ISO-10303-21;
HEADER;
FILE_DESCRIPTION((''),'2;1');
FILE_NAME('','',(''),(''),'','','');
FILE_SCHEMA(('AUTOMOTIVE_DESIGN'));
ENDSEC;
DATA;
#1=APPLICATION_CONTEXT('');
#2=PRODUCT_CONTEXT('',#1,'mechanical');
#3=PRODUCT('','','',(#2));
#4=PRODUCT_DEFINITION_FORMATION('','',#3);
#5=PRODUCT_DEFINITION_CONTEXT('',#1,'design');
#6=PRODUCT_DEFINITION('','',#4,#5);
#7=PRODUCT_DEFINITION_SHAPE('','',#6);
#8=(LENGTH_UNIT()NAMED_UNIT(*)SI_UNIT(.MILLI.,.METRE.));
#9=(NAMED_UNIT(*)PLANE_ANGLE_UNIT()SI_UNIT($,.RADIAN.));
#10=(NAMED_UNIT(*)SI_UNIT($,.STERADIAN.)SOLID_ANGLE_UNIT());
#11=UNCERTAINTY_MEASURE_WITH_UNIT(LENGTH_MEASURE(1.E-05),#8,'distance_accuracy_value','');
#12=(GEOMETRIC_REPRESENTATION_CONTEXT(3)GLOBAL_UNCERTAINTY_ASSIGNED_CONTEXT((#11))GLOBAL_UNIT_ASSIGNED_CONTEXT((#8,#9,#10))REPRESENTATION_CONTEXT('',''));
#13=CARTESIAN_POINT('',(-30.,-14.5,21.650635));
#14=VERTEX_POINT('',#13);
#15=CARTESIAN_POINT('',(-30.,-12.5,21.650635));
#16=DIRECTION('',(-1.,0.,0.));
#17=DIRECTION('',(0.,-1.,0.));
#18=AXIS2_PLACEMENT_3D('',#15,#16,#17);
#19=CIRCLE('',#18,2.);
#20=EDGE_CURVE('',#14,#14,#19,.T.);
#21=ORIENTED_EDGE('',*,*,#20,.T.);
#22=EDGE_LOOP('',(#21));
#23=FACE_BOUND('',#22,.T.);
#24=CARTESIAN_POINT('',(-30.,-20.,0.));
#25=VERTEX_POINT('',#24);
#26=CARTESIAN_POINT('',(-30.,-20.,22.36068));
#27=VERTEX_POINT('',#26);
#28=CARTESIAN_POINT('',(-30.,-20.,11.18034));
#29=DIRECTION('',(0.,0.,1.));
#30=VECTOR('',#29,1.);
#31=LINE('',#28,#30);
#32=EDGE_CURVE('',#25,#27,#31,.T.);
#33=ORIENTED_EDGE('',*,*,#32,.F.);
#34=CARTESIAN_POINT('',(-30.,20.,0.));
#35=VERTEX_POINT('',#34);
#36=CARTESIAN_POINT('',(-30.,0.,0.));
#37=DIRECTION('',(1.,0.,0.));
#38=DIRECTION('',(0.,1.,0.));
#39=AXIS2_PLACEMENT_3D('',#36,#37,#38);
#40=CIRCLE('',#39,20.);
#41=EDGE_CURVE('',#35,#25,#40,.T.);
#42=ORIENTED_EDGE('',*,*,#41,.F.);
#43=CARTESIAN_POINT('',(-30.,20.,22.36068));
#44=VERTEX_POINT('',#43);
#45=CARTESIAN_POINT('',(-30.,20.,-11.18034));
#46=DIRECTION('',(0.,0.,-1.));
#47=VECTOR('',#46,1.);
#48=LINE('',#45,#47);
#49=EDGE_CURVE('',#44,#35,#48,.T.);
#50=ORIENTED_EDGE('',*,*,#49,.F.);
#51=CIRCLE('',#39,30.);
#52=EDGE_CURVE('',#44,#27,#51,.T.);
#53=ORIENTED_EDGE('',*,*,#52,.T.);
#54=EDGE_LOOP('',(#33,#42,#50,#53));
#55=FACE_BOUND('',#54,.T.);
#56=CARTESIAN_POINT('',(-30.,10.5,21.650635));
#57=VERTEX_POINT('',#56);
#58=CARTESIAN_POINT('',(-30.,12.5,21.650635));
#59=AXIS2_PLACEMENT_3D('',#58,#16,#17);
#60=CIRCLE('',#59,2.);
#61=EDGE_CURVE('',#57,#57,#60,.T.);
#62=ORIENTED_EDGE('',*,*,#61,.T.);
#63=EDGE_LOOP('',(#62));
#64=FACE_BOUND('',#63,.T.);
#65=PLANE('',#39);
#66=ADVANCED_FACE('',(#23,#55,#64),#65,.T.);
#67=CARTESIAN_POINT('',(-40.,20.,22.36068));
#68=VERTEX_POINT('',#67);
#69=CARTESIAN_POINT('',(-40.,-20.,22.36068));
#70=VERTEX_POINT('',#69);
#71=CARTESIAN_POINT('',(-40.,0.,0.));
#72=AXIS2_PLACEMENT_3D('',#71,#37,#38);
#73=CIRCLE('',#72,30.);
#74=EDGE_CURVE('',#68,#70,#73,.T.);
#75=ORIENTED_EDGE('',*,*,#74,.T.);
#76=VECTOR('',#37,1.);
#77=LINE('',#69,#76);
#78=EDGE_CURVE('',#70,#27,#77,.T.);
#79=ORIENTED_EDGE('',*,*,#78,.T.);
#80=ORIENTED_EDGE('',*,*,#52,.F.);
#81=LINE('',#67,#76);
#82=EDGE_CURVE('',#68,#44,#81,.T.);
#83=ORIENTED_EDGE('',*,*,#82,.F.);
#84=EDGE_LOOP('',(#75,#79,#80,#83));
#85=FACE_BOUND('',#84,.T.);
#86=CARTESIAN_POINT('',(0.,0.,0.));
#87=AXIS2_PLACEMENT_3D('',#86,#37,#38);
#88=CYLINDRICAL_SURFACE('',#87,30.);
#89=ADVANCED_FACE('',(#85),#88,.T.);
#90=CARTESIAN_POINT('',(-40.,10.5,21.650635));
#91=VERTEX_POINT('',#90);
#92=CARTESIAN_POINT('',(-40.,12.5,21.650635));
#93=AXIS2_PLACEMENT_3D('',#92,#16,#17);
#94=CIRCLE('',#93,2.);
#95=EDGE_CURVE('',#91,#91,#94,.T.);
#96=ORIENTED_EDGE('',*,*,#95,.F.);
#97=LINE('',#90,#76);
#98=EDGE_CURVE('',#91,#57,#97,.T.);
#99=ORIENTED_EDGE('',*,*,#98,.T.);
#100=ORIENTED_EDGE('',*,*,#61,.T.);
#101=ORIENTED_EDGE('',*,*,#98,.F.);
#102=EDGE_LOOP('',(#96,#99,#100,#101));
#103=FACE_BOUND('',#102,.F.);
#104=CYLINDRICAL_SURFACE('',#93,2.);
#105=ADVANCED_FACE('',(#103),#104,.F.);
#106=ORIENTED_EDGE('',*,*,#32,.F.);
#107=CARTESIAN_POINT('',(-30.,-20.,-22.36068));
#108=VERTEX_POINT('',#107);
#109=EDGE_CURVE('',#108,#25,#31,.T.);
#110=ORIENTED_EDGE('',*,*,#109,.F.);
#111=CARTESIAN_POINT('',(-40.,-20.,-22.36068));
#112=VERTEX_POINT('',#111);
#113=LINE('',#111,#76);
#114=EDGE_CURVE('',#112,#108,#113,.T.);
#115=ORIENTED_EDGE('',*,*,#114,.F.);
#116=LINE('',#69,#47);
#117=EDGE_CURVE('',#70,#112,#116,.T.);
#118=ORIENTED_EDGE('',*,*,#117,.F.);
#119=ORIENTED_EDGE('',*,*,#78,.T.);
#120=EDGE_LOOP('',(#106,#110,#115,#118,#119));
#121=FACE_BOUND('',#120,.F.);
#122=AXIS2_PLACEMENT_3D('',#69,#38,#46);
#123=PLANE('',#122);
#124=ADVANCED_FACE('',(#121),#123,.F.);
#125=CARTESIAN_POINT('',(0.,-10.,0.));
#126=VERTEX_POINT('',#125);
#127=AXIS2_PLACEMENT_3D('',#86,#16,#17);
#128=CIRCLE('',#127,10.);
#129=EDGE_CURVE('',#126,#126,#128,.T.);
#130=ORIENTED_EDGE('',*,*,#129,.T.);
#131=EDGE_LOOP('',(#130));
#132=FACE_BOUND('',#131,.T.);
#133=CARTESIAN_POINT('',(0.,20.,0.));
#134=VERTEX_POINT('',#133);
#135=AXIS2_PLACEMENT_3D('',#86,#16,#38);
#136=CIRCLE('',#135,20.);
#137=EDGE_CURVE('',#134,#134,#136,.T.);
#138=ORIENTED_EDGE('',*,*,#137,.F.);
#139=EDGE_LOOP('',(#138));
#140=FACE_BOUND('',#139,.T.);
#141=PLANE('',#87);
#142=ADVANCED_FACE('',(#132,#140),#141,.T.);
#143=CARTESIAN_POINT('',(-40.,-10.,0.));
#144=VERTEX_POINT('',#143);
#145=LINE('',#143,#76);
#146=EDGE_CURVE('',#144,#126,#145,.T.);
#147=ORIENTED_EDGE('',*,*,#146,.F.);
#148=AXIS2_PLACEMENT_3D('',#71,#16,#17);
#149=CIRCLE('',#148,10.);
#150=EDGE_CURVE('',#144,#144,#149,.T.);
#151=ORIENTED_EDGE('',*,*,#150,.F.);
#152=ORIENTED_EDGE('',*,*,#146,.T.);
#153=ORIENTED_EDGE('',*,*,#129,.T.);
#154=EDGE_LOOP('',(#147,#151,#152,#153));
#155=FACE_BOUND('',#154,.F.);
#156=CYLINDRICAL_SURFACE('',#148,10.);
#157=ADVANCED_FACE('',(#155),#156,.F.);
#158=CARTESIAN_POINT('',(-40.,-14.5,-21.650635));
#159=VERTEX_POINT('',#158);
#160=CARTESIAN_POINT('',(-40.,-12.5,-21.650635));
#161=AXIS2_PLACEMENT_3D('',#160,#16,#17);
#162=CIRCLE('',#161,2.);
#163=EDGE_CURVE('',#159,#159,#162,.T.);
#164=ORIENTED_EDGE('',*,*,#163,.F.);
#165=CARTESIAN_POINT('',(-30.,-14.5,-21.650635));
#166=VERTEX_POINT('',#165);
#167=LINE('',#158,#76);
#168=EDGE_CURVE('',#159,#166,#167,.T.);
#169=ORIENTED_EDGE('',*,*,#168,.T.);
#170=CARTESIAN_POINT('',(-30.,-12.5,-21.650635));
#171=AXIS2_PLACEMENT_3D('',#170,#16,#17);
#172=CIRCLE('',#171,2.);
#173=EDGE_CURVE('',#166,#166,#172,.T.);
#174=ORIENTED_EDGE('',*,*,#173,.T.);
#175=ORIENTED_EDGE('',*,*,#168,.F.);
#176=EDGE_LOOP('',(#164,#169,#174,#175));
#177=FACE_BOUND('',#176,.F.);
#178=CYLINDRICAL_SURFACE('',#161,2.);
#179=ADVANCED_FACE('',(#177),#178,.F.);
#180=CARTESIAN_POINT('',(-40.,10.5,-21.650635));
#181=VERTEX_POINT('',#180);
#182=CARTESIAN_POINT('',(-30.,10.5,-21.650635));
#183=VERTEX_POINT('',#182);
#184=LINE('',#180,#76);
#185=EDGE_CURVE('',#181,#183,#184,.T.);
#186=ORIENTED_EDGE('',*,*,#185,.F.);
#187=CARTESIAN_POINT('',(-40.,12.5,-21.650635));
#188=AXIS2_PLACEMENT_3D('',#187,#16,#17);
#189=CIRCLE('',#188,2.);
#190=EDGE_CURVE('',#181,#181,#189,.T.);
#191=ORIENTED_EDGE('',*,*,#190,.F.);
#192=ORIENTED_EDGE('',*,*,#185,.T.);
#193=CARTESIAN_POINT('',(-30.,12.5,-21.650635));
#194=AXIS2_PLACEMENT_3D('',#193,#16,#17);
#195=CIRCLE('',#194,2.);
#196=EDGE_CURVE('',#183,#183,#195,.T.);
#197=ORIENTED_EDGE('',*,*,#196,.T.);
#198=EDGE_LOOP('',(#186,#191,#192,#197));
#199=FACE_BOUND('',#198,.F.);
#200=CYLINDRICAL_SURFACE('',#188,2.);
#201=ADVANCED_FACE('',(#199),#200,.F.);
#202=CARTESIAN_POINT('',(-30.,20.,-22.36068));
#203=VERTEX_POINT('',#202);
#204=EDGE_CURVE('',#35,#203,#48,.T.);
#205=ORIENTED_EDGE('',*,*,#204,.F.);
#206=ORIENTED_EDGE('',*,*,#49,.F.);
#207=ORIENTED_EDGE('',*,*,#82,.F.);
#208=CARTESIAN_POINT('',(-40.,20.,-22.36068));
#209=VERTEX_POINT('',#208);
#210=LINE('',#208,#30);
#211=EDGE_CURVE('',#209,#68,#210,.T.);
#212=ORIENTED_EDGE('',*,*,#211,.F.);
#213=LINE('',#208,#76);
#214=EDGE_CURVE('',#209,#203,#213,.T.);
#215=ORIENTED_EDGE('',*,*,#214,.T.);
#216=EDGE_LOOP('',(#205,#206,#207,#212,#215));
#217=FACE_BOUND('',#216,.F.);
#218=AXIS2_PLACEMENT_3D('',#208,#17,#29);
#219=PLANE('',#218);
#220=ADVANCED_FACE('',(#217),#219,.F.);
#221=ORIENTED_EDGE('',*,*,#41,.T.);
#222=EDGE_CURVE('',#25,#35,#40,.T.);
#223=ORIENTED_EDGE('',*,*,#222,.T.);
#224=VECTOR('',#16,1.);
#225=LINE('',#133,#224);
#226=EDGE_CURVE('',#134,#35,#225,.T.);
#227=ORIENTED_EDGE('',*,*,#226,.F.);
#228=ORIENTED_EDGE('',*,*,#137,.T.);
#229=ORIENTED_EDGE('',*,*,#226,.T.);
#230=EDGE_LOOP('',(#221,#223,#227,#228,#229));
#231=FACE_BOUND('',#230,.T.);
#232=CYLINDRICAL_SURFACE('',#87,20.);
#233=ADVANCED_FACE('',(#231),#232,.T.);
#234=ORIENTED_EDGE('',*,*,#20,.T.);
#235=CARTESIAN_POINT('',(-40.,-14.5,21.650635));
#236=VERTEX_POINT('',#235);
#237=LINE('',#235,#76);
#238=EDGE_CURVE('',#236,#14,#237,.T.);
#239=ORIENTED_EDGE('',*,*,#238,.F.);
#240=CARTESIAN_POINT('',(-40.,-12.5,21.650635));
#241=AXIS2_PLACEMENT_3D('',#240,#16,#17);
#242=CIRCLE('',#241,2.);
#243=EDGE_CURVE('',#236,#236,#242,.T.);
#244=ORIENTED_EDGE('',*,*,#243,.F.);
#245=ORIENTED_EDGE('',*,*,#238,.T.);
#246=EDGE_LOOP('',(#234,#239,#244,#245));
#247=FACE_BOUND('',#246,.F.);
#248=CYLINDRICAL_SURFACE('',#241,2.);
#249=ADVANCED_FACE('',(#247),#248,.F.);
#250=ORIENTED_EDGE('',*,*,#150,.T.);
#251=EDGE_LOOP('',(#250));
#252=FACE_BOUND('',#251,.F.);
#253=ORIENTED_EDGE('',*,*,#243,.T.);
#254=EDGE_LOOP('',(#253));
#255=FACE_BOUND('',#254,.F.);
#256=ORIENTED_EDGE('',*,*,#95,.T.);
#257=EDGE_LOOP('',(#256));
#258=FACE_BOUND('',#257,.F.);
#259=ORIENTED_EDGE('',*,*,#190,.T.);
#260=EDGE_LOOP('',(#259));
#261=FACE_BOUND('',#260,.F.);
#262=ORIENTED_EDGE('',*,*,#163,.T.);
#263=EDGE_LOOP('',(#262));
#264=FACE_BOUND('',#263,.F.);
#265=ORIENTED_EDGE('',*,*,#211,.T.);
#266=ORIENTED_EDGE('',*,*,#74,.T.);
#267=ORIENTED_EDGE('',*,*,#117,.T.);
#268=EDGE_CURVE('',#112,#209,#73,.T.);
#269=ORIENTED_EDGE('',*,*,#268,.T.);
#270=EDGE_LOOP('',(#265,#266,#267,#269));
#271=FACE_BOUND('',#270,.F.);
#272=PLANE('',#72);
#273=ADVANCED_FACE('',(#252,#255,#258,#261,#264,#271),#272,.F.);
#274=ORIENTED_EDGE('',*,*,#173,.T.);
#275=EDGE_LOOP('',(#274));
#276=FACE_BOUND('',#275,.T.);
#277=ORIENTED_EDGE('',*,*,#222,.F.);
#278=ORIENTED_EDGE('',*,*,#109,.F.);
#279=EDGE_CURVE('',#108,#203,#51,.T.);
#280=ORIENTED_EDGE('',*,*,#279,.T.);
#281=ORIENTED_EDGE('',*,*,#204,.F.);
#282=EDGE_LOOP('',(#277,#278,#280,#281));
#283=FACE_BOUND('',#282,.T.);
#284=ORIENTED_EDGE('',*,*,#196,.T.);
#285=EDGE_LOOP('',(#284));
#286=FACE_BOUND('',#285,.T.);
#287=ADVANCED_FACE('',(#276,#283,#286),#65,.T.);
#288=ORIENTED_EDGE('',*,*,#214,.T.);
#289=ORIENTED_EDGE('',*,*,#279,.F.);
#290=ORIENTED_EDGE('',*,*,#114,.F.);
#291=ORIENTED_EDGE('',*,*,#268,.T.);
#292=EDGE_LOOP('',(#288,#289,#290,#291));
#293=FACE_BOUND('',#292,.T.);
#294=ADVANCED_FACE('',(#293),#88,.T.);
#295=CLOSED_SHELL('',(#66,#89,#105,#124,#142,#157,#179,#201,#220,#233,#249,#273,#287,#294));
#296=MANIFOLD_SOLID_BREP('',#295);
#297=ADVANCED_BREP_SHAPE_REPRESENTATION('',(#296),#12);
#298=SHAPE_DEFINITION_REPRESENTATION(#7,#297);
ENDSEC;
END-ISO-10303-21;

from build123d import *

# Parameters (mm, degrees)
F0_R     = 30
F1_DEPTH = 40
F2_R     = 30
F2_R_2   = 20
F3_DEPTH = 30
F5_DEPTH = 40.001
F6_R     = 2
F7_DEPTH = 40.001
F8_R     = 10
F9_DEPTH = 40.001


with BuildPart() as f1:
    # F0 (on Right) → F1 (new body)
    with BuildSketch(Plane.YZ):
        Circle(F0_R)
    extrude(amount=-F1_DEPTH)

    # F2 (on face) → F3 (cut)
    with BuildSketch(Plane.YZ):
        Circle(F2_R)
        Circle(F2_R_2, mode=Mode.SUBTRACT)
    extrude(amount=-F3_DEPTH, mode=Mode.SUBTRACT)

    # F4 (on face) → F5 (cut, through all)
    with BuildSketch(Plane(origin=(-40, 0, 0), x_dir=(0, -1, 0), z_dir=(-1, 0, 0))):
        with BuildLine():
            Line((-20, -22.36068), (-20, 22.36068))
            ThreePointArc((-20, 22.36068), (-30, 0), (-20, -22.36068))
        make_face()
        with BuildLine():
            ThreePointArc((30, 0), (27.386128, 12.247449), (20, 22.36068))
            Line((20, 22.36068), (20, -22.36068))
            ThreePointArc((20, -22.36068), (27.386128, -12.247449), (30, 0))
        make_face()
    extrude(amount=-F5_DEPTH, mode=Mode.SUBTRACT)

    # F6 (on face) → F7 (cut, through all)
    with BuildSketch(Plane(origin=(-40, 0, 0), x_dir=(0, -1, 0), z_dir=(-1, 0, 0))):
        with Locations((12.5, 21.650635)):
            Circle(F6_R)
        with Locations((-12.5, 21.650635)):
            Circle(F6_R)
        with Locations((12.5, -21.650635)):
            Circle(F6_R)
        with Locations((-12.5, -21.650635)):
            Circle(F6_R)
    extrude(amount=-F7_DEPTH, mode=Mode.SUBTRACT)

    # F8 (on face) → F9 (cut, through all)
    with BuildSketch(Plane(origin=(-40, 0, 0), x_dir=(0, -1, 0), z_dir=(-1, 0, 0))):
        Circle(F8_R)
    extrude(amount=-F9_DEPTH, mode=Mode.SUBTRACT)


solid = f1.part
